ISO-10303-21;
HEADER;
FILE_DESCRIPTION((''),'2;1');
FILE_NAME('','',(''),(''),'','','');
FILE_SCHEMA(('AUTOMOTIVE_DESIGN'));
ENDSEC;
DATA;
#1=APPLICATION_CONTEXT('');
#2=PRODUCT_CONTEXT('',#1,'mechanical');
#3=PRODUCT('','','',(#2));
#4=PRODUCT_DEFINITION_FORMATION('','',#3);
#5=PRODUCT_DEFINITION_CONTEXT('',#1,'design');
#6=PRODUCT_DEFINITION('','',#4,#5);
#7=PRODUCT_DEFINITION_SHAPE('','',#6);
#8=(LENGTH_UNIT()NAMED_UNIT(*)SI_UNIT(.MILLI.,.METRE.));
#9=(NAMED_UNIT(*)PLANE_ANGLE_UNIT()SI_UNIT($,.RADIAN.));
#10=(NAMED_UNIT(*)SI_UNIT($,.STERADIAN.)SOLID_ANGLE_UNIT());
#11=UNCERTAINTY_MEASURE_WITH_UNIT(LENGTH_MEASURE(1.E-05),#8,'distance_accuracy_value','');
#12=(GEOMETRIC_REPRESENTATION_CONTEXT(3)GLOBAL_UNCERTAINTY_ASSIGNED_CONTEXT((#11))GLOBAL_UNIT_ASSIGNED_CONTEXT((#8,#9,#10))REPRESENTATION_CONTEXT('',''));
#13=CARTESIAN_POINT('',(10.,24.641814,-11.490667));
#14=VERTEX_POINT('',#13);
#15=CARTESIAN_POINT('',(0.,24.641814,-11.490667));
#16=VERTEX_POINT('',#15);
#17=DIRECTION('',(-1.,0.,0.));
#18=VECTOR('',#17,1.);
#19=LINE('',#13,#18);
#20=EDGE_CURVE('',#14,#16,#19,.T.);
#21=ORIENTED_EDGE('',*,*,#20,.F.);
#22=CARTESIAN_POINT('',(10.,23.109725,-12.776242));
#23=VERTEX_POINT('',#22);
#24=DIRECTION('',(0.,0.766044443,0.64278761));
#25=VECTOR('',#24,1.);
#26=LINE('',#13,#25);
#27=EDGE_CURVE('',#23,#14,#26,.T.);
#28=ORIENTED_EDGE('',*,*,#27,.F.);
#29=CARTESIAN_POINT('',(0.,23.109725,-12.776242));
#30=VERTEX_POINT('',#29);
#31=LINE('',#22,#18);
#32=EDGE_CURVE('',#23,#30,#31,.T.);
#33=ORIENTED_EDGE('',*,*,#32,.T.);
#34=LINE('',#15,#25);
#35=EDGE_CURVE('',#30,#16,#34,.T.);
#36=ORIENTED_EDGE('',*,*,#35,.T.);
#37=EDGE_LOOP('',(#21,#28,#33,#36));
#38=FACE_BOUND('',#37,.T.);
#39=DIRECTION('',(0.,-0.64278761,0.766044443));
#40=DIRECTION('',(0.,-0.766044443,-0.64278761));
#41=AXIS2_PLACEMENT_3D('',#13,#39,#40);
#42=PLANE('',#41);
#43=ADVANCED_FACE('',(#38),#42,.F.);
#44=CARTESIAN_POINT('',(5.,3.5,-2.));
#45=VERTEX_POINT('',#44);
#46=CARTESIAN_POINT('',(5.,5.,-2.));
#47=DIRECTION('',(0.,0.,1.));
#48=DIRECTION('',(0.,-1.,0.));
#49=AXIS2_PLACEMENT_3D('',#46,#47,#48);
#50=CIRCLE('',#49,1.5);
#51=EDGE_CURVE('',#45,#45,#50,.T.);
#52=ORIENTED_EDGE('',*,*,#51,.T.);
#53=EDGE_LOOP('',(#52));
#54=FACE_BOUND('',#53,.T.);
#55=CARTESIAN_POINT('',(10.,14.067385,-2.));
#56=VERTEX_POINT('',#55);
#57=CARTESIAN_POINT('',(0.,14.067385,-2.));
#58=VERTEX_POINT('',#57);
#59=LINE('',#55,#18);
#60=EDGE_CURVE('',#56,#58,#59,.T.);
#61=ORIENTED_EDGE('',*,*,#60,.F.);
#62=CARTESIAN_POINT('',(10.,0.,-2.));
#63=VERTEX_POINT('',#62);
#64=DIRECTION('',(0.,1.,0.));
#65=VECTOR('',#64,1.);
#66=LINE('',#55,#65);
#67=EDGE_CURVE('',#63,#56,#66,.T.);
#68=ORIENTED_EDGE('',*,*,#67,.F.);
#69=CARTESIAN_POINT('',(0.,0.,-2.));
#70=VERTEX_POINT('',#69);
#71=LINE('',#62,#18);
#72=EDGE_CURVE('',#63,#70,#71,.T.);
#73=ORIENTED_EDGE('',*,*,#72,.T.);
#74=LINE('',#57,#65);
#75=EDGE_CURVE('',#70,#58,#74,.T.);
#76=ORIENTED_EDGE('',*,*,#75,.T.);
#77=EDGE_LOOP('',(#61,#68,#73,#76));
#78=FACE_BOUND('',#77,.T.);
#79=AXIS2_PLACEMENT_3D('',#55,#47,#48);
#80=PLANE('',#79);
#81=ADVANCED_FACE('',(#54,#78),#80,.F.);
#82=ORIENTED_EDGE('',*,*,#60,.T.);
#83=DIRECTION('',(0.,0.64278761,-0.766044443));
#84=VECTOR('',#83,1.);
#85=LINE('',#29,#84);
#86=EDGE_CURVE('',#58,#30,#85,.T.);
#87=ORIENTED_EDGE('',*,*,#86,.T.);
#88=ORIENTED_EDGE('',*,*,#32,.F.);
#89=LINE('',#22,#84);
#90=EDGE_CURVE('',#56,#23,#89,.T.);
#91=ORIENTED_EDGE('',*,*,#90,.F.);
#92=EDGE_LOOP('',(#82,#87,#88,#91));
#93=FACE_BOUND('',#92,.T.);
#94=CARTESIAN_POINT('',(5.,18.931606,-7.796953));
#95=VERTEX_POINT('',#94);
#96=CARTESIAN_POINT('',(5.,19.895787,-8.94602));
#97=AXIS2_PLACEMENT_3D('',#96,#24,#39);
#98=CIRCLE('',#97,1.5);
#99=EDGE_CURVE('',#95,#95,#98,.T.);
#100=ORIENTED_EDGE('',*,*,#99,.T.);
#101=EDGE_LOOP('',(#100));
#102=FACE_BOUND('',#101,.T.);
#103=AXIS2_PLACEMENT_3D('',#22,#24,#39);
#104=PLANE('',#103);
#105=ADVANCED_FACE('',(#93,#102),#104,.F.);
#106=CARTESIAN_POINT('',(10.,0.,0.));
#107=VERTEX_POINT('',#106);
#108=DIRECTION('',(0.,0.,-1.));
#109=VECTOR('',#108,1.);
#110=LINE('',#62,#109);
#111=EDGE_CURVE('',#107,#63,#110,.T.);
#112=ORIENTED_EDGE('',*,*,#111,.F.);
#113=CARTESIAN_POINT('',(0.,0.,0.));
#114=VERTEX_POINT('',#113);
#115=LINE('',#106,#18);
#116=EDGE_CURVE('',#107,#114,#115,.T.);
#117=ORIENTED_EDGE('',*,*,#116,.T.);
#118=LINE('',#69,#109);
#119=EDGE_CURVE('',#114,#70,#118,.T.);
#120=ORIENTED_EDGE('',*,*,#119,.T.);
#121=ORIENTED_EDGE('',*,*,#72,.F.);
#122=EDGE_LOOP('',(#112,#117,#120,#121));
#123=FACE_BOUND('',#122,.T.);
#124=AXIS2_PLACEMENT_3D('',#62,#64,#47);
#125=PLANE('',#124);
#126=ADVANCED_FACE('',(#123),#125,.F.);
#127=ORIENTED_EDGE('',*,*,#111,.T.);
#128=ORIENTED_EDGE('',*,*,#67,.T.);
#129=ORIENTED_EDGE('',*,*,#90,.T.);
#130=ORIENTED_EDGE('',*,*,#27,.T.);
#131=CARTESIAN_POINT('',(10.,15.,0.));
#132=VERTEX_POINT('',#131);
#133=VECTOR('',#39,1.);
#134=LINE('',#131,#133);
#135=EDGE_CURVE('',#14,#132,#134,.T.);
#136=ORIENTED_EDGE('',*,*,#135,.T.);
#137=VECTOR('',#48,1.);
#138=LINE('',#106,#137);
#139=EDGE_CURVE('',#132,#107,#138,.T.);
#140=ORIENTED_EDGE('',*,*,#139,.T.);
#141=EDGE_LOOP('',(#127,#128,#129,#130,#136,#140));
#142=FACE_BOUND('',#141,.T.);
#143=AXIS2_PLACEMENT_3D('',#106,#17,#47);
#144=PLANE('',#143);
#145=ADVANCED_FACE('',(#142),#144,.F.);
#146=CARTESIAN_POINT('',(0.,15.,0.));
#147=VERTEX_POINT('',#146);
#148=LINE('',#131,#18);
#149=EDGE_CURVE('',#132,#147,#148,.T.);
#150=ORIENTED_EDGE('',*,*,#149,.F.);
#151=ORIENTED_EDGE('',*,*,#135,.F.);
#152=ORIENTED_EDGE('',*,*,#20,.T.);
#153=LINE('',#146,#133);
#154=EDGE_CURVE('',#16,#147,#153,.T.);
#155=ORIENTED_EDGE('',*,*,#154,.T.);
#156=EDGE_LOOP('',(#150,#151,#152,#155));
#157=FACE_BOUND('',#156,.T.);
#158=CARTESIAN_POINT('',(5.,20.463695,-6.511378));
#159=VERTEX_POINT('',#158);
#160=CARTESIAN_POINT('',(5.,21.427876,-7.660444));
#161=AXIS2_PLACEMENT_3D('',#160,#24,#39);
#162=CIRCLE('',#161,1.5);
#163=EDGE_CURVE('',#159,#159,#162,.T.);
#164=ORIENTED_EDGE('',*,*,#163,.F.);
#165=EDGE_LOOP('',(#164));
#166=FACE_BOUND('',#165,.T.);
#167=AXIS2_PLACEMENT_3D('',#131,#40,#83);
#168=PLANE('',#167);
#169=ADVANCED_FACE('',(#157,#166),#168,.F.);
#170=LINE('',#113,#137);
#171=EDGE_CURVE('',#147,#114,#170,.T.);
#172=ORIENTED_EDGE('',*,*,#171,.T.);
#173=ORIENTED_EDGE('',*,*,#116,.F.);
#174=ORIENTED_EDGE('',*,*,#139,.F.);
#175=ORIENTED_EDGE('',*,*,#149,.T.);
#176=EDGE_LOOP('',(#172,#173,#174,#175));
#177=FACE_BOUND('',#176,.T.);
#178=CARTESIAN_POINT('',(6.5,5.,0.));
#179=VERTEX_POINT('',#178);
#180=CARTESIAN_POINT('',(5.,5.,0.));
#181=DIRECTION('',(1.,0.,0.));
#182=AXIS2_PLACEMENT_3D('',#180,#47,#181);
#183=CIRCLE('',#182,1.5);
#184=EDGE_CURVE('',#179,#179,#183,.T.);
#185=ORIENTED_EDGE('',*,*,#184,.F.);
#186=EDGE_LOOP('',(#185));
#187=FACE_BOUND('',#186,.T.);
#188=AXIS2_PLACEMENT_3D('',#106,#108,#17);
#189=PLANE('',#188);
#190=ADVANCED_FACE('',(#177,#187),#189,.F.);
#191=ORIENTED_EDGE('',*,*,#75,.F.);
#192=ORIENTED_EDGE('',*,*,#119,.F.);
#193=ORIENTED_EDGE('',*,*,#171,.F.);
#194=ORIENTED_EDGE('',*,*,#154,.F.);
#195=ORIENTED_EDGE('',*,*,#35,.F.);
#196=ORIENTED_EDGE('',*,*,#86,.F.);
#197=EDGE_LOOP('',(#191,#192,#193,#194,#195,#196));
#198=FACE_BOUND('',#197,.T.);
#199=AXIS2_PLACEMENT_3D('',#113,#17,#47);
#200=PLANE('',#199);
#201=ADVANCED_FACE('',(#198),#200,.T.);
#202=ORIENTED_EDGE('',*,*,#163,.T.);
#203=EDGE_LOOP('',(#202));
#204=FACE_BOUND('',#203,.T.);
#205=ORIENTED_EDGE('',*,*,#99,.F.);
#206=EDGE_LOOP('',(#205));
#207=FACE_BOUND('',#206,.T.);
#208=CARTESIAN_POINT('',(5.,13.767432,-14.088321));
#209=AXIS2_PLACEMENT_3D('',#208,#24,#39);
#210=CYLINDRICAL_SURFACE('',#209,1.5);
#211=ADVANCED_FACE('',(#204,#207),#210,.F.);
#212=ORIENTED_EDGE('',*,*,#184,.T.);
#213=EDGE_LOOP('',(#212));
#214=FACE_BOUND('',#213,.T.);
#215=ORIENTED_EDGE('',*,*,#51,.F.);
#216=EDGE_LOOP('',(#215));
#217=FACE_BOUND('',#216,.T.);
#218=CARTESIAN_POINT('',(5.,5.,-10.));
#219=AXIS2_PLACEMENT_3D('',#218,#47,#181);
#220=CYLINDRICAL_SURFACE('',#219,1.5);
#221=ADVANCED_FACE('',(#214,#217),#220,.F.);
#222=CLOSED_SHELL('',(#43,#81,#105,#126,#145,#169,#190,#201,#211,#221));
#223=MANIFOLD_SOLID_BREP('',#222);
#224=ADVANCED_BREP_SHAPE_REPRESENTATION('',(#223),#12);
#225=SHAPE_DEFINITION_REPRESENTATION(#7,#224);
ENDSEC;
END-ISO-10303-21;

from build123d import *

# Parameters (mm, degrees)
BOSS_EXTRUDE1_DEPTH = 10
SKETCH2_R           = 1.5
CUT_EXTRUDE1_DEPTH  = 10
SKETCH4_R           = 1.5
CUT_EXTRUDE2_DEPTH  = 10


with BuildPart() as part:
    # Sketch1 → Boss-Extrude1 (new body)
    with BuildSketch(Plane(origin=(0, 0, 0), x_dir=(0, 0, -1), z_dir=(1, 0, 0))):
        Polygon((0, 0), (0, 15), (11.490666647, 24.641814145), (12.776241866, 23.109725259), (2, 14.067384684), (2, 0), align=None)
    extrude(amount=BOSS_EXTRUDE1_DEPTH)

    # Sketch2 → Cut-Extrude1 (cut)
    with BuildSketch(Plane.XY):
        with Locations((5, 5)):
            Circle(SKETCH2_R)
    extrude(amount=-CUT_EXTRUDE1_DEPTH, mode=Mode.SUBTRACT)

    # Sketch4 → Cut-Extrude2 (cut)
    with BuildSketch(Plane(origin=(0, 8.802361333, 7.386058148), x_dir=(1, 0, 0), z_dir=(0, 0.7660444431189788, 0.6427876096865384))):
        with Locations(Location((5, 19.641814145, 0), (0, 0, 270))):
            Circle(SKETCH4_R)
    extrude(amount=-CUT_EXTRUDE2_DEPTH, mode=Mode.SUBTRACT)


solid = part.part
